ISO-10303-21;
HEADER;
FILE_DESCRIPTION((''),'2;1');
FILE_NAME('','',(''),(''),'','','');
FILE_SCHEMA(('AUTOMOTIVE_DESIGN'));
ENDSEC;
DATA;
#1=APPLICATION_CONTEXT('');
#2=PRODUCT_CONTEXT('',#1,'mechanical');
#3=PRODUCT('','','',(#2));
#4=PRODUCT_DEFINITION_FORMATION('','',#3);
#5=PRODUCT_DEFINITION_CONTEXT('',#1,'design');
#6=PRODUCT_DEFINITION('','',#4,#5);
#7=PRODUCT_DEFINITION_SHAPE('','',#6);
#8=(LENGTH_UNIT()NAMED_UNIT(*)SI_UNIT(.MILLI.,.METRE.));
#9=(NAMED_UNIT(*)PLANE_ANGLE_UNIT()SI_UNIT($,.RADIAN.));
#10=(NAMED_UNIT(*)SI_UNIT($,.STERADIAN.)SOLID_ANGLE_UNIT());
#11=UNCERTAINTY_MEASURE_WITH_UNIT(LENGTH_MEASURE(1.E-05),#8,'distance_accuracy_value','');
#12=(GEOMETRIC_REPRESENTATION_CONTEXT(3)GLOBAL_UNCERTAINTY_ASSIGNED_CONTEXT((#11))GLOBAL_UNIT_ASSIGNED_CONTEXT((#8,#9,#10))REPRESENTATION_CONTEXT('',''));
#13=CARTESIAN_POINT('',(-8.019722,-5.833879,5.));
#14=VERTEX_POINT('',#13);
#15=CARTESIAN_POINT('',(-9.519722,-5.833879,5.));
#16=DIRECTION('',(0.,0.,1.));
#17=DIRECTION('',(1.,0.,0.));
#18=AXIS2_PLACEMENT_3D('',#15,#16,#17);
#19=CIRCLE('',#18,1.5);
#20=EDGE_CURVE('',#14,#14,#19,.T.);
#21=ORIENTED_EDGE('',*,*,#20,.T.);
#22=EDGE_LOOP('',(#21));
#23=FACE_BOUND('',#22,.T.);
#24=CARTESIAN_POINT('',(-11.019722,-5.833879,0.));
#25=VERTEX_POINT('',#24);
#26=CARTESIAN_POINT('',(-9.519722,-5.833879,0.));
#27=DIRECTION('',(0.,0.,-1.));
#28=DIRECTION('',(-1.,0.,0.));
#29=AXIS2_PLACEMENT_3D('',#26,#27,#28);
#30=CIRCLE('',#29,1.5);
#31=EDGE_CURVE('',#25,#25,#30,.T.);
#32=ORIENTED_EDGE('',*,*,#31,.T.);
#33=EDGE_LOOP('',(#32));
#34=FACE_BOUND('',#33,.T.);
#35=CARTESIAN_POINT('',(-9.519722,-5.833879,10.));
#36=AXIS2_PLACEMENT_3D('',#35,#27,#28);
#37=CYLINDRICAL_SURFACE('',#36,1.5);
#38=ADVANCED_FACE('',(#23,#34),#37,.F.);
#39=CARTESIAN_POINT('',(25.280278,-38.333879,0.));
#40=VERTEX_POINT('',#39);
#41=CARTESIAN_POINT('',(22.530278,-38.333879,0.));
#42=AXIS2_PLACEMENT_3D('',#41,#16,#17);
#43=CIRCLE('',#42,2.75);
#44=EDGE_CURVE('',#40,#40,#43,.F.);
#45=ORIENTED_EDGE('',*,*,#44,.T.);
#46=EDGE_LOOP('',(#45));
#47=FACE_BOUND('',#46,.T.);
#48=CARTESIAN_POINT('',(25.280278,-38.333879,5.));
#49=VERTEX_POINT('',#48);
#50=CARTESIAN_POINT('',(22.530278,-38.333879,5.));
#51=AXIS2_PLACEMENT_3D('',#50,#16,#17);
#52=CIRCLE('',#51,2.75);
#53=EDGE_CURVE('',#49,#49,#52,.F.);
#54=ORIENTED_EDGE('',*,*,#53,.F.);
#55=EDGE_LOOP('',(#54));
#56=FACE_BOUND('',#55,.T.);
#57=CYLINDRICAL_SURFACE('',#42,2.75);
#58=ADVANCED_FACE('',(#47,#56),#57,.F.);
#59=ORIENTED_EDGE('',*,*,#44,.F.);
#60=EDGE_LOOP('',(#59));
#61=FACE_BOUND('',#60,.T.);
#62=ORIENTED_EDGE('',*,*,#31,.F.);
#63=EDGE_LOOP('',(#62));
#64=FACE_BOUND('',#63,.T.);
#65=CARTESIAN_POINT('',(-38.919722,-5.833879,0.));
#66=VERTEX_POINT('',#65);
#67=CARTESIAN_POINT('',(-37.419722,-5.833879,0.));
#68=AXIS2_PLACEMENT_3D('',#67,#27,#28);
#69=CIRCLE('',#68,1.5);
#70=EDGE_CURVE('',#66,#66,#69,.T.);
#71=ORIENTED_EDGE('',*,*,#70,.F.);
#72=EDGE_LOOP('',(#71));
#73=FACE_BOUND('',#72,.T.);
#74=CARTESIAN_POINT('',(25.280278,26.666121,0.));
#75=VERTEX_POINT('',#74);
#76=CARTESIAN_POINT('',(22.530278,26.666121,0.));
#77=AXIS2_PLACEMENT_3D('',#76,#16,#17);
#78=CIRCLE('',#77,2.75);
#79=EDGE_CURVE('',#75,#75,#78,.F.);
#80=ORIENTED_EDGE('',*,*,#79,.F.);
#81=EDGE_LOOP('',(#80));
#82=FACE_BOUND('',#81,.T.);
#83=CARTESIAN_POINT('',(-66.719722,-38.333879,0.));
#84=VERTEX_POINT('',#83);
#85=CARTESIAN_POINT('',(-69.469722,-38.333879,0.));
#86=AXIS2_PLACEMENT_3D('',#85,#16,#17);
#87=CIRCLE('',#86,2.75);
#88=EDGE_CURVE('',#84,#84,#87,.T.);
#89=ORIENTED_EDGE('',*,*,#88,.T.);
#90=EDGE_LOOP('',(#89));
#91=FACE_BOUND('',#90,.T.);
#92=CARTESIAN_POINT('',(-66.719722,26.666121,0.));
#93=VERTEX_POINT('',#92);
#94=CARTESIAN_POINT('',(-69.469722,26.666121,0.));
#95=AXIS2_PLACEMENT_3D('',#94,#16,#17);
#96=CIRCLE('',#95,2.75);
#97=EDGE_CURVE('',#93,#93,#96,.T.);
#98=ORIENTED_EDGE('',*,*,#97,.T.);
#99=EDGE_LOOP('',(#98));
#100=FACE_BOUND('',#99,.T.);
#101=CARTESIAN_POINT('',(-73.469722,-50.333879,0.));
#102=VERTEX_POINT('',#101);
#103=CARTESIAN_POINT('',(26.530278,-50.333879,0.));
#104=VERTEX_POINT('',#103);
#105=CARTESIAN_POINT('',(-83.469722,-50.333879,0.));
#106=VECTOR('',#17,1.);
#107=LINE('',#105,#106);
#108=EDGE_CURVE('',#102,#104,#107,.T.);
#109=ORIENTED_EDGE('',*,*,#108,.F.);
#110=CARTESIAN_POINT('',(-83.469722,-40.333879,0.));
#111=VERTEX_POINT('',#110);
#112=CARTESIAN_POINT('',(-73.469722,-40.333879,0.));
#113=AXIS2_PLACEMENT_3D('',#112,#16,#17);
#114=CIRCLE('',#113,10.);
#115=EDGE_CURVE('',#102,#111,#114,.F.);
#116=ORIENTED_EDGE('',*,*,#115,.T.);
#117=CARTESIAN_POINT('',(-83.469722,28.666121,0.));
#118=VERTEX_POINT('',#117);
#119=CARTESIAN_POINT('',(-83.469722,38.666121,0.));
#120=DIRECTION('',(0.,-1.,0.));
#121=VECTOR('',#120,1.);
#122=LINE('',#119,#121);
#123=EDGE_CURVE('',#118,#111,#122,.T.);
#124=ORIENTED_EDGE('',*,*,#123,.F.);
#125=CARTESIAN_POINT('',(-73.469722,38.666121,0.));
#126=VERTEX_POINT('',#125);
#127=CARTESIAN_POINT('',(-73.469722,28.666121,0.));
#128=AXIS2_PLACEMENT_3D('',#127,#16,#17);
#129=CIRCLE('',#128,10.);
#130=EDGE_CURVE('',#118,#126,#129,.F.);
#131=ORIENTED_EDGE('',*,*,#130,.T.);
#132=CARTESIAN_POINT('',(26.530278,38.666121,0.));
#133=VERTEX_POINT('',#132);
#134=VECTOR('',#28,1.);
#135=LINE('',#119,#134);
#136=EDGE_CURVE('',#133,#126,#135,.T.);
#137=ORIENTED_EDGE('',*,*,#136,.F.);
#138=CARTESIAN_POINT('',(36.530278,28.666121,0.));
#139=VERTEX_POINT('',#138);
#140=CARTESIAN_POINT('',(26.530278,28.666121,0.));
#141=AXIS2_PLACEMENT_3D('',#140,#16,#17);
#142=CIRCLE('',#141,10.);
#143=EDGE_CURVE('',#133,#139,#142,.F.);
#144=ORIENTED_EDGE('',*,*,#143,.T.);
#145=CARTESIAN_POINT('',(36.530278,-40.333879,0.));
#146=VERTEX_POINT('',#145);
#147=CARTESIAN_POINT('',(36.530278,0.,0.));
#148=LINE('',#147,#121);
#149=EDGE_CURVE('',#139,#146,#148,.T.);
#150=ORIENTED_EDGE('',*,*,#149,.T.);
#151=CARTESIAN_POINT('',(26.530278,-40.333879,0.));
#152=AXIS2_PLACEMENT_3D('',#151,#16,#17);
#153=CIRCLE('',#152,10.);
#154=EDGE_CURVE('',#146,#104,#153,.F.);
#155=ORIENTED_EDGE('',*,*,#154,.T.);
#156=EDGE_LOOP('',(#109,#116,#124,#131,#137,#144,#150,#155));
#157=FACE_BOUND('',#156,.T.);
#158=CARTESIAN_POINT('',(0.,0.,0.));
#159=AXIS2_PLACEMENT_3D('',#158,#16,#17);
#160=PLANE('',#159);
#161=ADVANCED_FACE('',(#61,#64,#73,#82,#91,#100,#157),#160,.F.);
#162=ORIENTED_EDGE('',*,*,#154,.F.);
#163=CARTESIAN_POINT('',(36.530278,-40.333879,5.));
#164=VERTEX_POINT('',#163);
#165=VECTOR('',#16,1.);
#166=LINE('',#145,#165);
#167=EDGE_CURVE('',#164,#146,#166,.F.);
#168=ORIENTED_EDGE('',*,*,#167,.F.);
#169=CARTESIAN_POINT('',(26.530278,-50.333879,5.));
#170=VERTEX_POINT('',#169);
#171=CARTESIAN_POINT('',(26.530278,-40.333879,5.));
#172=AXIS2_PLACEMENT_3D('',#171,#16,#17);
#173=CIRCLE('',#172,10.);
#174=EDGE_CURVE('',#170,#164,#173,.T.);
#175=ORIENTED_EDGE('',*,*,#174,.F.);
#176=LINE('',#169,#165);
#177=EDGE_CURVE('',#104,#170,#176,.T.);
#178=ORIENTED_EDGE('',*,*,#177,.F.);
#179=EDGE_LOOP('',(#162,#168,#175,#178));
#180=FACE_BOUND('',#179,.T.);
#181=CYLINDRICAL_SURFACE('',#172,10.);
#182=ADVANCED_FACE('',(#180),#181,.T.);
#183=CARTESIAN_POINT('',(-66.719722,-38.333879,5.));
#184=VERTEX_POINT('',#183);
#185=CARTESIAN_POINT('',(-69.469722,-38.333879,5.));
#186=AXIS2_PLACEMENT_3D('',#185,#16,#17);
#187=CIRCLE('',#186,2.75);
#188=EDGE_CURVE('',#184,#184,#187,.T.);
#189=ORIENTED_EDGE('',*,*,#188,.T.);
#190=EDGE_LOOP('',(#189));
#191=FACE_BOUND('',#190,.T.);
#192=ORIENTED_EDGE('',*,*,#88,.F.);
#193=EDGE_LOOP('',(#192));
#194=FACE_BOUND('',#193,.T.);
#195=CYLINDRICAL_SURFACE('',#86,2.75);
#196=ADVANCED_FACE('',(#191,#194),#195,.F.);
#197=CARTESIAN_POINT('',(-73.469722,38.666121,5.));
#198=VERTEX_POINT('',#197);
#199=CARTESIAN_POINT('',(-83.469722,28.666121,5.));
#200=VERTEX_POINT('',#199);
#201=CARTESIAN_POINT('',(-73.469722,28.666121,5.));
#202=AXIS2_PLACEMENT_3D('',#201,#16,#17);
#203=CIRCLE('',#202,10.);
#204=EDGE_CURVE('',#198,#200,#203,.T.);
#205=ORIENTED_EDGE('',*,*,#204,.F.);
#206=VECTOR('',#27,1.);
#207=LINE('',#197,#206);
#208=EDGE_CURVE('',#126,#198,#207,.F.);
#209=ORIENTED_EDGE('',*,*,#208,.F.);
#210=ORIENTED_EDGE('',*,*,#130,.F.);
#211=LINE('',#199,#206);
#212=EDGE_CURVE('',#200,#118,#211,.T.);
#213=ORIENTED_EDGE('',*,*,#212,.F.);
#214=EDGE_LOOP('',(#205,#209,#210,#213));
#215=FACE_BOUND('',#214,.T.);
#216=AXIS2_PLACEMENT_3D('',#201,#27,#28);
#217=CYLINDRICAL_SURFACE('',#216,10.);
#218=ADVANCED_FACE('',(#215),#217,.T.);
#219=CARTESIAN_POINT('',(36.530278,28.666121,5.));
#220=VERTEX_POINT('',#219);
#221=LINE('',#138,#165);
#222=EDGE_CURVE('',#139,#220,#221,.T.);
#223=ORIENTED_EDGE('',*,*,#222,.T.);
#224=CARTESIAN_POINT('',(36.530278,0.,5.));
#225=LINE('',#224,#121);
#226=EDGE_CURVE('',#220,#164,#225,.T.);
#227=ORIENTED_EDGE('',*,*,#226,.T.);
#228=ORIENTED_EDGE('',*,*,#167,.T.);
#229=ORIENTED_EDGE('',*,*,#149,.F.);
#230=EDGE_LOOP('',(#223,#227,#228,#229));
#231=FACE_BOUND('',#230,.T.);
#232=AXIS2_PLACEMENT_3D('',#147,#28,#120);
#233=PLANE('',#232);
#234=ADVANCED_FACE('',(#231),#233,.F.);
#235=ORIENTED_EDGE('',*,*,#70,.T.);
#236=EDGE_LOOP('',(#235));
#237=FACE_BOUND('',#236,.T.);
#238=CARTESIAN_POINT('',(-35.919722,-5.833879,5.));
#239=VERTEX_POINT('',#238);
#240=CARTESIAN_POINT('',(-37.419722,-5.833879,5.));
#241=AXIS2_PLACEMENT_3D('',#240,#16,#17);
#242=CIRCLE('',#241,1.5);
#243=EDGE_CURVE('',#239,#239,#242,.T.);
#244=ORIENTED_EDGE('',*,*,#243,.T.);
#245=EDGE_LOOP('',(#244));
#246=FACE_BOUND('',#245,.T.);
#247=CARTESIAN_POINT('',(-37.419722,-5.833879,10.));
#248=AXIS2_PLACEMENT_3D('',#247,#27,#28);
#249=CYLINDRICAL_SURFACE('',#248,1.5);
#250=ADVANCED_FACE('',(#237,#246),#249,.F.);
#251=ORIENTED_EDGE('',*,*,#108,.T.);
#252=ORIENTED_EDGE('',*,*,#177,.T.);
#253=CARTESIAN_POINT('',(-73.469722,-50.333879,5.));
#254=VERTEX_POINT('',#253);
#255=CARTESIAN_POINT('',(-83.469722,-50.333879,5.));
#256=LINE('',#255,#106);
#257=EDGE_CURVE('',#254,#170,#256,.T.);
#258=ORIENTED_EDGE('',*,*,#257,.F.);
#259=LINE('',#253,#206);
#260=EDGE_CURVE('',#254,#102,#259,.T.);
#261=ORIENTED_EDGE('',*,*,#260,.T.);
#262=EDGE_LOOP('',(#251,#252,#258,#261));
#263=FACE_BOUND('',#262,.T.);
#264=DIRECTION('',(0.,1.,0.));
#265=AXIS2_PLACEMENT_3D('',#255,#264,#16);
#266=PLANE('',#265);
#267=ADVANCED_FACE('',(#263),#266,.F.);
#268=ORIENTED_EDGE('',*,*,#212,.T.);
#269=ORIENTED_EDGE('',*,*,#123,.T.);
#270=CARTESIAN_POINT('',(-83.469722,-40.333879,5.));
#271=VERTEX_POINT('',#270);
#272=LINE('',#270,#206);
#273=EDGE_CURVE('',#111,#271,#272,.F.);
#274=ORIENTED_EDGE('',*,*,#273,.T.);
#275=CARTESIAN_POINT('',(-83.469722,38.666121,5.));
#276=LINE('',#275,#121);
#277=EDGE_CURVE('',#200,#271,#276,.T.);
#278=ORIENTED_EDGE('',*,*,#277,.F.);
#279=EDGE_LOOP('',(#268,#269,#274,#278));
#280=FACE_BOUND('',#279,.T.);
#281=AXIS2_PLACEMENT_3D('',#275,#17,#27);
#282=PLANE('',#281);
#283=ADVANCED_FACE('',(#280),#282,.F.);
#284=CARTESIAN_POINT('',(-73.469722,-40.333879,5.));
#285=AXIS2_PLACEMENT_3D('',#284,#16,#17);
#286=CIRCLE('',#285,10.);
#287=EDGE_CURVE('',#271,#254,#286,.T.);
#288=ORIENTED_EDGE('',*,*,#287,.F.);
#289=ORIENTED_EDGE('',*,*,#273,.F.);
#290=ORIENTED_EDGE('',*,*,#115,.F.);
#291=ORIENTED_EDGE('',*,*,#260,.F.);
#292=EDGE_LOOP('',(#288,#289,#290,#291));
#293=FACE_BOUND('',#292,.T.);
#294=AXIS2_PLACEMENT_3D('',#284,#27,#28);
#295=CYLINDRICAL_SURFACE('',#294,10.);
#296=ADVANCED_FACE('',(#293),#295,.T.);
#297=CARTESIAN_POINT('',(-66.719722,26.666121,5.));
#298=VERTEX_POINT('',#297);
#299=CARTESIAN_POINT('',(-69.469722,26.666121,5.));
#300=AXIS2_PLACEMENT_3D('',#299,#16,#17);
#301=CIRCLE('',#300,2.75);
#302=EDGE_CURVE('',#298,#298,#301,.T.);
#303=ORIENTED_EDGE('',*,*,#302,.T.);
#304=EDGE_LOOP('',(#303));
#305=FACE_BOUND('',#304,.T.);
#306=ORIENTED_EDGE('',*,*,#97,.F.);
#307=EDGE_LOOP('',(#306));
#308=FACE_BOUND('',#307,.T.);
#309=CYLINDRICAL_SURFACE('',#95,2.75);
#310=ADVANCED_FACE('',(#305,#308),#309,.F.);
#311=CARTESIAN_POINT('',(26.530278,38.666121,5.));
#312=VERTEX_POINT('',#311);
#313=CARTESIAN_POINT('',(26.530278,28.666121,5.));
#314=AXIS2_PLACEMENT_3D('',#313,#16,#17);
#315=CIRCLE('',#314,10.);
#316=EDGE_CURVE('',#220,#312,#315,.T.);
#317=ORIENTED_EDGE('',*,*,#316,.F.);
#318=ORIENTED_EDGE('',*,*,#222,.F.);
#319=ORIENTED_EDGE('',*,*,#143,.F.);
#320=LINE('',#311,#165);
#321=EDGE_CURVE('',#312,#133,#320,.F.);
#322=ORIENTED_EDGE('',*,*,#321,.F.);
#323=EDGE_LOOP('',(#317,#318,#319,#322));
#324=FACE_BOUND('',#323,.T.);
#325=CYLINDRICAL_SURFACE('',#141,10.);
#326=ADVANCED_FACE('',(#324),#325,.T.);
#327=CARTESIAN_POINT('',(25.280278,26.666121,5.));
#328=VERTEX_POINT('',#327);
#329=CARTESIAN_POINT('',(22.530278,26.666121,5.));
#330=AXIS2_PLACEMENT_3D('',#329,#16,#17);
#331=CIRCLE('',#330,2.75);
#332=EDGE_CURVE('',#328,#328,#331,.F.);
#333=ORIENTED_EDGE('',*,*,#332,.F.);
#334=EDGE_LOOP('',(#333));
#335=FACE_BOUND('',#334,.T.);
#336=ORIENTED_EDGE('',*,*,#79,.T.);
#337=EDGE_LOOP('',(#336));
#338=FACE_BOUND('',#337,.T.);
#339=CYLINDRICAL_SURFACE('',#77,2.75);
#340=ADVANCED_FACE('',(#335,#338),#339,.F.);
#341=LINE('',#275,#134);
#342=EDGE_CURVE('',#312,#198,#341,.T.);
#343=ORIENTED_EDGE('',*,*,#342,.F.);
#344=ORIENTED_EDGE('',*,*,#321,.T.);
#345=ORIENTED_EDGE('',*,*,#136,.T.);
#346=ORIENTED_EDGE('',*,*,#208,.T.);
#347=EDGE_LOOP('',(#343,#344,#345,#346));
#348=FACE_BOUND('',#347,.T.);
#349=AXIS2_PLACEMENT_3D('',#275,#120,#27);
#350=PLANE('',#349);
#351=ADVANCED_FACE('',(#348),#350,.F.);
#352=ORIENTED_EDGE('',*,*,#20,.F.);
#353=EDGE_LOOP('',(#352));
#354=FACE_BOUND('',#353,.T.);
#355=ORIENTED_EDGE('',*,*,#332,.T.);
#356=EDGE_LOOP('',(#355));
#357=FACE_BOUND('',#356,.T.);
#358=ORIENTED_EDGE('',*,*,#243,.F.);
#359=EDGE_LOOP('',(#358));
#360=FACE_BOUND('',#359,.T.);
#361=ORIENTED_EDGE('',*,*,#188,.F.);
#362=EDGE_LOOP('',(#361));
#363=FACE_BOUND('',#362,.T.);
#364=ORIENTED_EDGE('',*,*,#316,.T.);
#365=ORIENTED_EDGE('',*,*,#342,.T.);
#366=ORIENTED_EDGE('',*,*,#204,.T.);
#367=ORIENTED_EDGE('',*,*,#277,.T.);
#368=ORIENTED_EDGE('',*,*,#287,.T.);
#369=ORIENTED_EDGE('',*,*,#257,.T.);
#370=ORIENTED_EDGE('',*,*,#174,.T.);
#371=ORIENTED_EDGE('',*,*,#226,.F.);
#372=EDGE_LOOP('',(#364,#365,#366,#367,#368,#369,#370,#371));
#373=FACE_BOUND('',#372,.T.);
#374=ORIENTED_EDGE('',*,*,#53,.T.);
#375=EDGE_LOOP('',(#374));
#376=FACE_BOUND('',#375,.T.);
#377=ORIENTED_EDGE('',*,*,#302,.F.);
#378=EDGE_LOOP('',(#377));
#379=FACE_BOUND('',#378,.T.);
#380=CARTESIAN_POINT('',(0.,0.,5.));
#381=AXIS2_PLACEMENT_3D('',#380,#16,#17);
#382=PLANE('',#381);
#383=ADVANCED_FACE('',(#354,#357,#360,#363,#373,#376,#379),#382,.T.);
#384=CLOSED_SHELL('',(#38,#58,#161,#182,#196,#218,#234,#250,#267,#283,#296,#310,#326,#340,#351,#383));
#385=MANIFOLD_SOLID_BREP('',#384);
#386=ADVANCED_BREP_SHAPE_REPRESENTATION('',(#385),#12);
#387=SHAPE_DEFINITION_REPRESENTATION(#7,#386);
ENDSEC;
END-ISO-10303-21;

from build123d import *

# Parameters (mm, degrees)
SKETCH_1_W          = 150
SKETCH_1_H          = 89
EXTRUDE_1_DEPTH     = 5
SKETCH_3_W          = 30
SKETCH_3_H          = 89
CUT_EXTRUDE_1_DEPTH = 5
SKETCH_4_R          = 2.75
CUT_EXTRUDE_2_DEPTH = 5
FILLET_2_R          = 10
SKETCH_5_R          = 1.5
CUT_EXTRUDE_7_DEPTH = 10


with BuildPart() as part:
    # 草图1 → 凸台-拉伸1 (new body)
    with BuildSketch(Plane.XY):
        with Locations((-8.469721768, -5.833878887)):
            Rectangle(SKETCH_1_W, SKETCH_1_H)
    extrude(amount=EXTRUDE_1_DEPTH)

    # 草图3 → 切除-拉伸1 (cut)
    with BuildSketch(Plane.XY.offset(5)):
        with Locations((51.530278232, -5.833878887)):
            Rectangle(SKETCH_3_W, SKETCH_3_H)
    extrude(amount=-CUT_EXTRUDE_1_DEPTH, mode=Mode.SUBTRACT)

    # 草图4 → 切除-拉伸2 (cut)
    with BuildSketch(Plane.XY.offset(5)):
        with Locations((-69.469721768, 26.666121113)):
            Circle(SKETCH_4_R)
        with Locations((-69.469721768, -38.333878887)):
            Circle(SKETCH_4_R)
        with Locations((22.530278232, 26.666121113)):
            Circle(SKETCH_4_R)
        with Locations((22.530278232, -38.333878887)):
            Circle(SKETCH_4_R)
    extrude(amount=-CUT_EXTRUDE_2_DEPTH, mode=Mode.SUBTRACT)

    # 圆角2
    fillet_2_edges = [part.edges().sort_by_distance(p)[0] for p in [
        (36.530278232, 38.666121113, 2.5),
        (36.530278232, -50.333878887, 2.5),
        (-83.469721768, 38.666121113, 2.5),
        (-83.469721768, -50.333878887, 2.5),
    ]]
    fillet(fillet_2_edges, radius=FILLET_2_R)

    # 草图5 → 切除-拉伸7 (cut)
    with BuildSketch(Plane(origin=(0, 0, 0), x_dir=(-1, 0, 0), z_dir=(0, 0, -1))):
        with Locations((9.519721768, -5.833878887)):
            Circle(SKETCH_5_R)
        with Locations((37.419721768, -5.833878887)):
            Circle(SKETCH_5_R)
    extrude(amount=-CUT_EXTRUDE_7_DEPTH, mode=Mode.SUBTRACT)


solid = part.part
